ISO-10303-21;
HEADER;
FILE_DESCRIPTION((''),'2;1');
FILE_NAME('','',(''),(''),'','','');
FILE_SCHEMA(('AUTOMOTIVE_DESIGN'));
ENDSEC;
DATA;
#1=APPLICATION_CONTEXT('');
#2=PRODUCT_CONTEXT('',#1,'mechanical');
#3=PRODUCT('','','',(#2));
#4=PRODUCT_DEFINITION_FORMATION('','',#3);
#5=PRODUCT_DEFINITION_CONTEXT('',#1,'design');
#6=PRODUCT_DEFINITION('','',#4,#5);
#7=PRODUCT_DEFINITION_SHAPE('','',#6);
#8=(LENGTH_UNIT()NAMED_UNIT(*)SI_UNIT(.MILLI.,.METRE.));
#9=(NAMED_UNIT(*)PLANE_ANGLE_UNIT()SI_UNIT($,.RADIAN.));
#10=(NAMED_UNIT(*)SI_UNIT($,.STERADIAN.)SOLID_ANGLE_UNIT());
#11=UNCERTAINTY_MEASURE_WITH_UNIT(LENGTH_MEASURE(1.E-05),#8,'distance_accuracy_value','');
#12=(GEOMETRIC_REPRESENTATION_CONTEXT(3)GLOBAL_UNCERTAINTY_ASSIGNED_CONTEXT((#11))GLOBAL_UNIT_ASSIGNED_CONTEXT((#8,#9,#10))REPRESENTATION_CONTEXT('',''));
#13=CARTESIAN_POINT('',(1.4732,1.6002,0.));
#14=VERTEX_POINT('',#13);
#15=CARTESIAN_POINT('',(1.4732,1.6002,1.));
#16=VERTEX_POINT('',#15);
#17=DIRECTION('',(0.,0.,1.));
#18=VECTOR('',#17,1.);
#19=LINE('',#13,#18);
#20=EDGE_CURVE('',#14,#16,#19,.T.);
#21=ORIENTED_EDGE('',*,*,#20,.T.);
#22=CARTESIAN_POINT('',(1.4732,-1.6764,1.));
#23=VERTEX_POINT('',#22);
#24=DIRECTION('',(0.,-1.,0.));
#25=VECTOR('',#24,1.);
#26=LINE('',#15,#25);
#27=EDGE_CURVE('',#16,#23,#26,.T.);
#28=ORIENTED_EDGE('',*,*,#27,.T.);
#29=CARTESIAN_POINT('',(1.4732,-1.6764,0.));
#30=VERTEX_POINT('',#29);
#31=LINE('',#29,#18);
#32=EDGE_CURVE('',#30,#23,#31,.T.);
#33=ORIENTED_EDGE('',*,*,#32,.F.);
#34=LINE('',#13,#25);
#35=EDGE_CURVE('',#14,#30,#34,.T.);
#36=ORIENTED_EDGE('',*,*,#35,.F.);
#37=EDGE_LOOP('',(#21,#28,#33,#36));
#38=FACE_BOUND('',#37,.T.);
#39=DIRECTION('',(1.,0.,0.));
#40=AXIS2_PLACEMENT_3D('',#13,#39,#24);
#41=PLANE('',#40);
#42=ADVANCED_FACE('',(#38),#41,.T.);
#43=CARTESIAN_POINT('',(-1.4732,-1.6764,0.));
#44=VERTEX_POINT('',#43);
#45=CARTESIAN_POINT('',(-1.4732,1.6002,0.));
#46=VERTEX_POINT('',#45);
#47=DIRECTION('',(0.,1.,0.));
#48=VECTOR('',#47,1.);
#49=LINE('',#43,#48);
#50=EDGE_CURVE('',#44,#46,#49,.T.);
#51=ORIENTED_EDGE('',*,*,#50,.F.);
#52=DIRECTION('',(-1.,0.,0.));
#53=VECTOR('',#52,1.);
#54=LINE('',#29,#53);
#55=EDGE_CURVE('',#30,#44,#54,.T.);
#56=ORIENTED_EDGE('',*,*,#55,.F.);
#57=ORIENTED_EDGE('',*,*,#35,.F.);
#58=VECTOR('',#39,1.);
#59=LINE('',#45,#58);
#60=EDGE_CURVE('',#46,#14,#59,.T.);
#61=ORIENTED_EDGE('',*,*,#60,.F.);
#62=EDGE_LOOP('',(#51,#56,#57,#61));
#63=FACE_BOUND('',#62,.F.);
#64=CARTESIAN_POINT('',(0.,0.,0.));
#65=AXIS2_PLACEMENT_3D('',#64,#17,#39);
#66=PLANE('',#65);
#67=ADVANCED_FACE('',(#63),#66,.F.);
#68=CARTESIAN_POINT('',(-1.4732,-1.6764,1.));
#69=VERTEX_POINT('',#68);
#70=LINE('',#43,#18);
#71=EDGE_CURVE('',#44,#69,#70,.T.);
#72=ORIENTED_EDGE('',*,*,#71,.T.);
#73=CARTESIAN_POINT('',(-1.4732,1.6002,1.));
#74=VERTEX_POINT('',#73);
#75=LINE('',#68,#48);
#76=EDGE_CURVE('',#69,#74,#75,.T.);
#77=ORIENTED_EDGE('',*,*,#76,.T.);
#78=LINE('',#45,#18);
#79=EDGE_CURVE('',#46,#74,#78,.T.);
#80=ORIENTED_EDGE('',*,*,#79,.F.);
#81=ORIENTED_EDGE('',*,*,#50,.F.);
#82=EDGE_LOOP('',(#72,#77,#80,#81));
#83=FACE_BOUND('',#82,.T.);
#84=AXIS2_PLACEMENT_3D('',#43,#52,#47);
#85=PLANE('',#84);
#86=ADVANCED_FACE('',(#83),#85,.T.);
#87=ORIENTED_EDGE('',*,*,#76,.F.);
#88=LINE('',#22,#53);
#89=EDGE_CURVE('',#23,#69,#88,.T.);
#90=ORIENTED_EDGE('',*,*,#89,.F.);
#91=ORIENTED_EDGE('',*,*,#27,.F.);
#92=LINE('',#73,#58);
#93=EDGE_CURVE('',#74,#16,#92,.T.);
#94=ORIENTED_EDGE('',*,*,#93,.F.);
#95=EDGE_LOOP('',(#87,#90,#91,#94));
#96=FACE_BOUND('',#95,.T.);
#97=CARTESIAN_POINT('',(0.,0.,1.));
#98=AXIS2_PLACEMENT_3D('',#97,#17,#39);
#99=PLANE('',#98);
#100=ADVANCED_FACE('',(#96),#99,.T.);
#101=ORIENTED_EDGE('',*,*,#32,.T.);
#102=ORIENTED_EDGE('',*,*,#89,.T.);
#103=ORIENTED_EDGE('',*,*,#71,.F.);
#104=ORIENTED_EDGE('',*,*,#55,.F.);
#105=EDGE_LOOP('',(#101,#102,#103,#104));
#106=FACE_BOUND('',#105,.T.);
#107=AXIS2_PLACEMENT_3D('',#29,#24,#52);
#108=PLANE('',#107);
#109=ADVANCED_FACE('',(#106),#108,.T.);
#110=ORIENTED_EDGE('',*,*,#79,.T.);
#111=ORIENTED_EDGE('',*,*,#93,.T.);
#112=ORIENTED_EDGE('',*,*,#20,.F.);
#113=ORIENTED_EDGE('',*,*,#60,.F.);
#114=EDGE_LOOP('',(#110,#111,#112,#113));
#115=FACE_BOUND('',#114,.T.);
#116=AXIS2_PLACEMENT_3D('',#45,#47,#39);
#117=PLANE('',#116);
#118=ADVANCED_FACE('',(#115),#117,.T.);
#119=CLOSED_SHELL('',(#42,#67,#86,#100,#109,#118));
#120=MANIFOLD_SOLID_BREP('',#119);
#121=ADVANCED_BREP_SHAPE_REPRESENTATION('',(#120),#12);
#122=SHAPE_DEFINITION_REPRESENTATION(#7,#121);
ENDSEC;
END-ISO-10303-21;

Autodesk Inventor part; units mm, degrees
ref_plane "YZ Plane" through (0, 0, 0) normal (1, 0, 0) x (0, 1, 0)
ref_plane "XZ Plane" through (0, 0, 0) normal (0, 1, 0) x (-1, 0, 0)
ref_plane "XY Plane" through (0, 0, 0) normal (0, 0, 1) x (1, 0, 0)
sketch "IND_LPS3015, I1_IND_LPS3015_42" plane through (0, 0, 0) normal (0, 0, 1) x (1, 0, 0)
  line L0 (-1.4732, 1.6002) -> (1.4732, 1.6002)
  line L1 (1.4732, 1.6002) -> (1.4732, -1.6764)
  line L2 (1.4732, -1.6764) -> (-1.4732, -1.6764)
  line L3 (-1.4732, -1.6764) -> (-1.4732, 1.6002)
extrude "Extrusion1" add sketch "IND_LPS3015, I1_IND_LPS3015_42" along normal blind 1
properties part number "I1_IND_LPS3015"
